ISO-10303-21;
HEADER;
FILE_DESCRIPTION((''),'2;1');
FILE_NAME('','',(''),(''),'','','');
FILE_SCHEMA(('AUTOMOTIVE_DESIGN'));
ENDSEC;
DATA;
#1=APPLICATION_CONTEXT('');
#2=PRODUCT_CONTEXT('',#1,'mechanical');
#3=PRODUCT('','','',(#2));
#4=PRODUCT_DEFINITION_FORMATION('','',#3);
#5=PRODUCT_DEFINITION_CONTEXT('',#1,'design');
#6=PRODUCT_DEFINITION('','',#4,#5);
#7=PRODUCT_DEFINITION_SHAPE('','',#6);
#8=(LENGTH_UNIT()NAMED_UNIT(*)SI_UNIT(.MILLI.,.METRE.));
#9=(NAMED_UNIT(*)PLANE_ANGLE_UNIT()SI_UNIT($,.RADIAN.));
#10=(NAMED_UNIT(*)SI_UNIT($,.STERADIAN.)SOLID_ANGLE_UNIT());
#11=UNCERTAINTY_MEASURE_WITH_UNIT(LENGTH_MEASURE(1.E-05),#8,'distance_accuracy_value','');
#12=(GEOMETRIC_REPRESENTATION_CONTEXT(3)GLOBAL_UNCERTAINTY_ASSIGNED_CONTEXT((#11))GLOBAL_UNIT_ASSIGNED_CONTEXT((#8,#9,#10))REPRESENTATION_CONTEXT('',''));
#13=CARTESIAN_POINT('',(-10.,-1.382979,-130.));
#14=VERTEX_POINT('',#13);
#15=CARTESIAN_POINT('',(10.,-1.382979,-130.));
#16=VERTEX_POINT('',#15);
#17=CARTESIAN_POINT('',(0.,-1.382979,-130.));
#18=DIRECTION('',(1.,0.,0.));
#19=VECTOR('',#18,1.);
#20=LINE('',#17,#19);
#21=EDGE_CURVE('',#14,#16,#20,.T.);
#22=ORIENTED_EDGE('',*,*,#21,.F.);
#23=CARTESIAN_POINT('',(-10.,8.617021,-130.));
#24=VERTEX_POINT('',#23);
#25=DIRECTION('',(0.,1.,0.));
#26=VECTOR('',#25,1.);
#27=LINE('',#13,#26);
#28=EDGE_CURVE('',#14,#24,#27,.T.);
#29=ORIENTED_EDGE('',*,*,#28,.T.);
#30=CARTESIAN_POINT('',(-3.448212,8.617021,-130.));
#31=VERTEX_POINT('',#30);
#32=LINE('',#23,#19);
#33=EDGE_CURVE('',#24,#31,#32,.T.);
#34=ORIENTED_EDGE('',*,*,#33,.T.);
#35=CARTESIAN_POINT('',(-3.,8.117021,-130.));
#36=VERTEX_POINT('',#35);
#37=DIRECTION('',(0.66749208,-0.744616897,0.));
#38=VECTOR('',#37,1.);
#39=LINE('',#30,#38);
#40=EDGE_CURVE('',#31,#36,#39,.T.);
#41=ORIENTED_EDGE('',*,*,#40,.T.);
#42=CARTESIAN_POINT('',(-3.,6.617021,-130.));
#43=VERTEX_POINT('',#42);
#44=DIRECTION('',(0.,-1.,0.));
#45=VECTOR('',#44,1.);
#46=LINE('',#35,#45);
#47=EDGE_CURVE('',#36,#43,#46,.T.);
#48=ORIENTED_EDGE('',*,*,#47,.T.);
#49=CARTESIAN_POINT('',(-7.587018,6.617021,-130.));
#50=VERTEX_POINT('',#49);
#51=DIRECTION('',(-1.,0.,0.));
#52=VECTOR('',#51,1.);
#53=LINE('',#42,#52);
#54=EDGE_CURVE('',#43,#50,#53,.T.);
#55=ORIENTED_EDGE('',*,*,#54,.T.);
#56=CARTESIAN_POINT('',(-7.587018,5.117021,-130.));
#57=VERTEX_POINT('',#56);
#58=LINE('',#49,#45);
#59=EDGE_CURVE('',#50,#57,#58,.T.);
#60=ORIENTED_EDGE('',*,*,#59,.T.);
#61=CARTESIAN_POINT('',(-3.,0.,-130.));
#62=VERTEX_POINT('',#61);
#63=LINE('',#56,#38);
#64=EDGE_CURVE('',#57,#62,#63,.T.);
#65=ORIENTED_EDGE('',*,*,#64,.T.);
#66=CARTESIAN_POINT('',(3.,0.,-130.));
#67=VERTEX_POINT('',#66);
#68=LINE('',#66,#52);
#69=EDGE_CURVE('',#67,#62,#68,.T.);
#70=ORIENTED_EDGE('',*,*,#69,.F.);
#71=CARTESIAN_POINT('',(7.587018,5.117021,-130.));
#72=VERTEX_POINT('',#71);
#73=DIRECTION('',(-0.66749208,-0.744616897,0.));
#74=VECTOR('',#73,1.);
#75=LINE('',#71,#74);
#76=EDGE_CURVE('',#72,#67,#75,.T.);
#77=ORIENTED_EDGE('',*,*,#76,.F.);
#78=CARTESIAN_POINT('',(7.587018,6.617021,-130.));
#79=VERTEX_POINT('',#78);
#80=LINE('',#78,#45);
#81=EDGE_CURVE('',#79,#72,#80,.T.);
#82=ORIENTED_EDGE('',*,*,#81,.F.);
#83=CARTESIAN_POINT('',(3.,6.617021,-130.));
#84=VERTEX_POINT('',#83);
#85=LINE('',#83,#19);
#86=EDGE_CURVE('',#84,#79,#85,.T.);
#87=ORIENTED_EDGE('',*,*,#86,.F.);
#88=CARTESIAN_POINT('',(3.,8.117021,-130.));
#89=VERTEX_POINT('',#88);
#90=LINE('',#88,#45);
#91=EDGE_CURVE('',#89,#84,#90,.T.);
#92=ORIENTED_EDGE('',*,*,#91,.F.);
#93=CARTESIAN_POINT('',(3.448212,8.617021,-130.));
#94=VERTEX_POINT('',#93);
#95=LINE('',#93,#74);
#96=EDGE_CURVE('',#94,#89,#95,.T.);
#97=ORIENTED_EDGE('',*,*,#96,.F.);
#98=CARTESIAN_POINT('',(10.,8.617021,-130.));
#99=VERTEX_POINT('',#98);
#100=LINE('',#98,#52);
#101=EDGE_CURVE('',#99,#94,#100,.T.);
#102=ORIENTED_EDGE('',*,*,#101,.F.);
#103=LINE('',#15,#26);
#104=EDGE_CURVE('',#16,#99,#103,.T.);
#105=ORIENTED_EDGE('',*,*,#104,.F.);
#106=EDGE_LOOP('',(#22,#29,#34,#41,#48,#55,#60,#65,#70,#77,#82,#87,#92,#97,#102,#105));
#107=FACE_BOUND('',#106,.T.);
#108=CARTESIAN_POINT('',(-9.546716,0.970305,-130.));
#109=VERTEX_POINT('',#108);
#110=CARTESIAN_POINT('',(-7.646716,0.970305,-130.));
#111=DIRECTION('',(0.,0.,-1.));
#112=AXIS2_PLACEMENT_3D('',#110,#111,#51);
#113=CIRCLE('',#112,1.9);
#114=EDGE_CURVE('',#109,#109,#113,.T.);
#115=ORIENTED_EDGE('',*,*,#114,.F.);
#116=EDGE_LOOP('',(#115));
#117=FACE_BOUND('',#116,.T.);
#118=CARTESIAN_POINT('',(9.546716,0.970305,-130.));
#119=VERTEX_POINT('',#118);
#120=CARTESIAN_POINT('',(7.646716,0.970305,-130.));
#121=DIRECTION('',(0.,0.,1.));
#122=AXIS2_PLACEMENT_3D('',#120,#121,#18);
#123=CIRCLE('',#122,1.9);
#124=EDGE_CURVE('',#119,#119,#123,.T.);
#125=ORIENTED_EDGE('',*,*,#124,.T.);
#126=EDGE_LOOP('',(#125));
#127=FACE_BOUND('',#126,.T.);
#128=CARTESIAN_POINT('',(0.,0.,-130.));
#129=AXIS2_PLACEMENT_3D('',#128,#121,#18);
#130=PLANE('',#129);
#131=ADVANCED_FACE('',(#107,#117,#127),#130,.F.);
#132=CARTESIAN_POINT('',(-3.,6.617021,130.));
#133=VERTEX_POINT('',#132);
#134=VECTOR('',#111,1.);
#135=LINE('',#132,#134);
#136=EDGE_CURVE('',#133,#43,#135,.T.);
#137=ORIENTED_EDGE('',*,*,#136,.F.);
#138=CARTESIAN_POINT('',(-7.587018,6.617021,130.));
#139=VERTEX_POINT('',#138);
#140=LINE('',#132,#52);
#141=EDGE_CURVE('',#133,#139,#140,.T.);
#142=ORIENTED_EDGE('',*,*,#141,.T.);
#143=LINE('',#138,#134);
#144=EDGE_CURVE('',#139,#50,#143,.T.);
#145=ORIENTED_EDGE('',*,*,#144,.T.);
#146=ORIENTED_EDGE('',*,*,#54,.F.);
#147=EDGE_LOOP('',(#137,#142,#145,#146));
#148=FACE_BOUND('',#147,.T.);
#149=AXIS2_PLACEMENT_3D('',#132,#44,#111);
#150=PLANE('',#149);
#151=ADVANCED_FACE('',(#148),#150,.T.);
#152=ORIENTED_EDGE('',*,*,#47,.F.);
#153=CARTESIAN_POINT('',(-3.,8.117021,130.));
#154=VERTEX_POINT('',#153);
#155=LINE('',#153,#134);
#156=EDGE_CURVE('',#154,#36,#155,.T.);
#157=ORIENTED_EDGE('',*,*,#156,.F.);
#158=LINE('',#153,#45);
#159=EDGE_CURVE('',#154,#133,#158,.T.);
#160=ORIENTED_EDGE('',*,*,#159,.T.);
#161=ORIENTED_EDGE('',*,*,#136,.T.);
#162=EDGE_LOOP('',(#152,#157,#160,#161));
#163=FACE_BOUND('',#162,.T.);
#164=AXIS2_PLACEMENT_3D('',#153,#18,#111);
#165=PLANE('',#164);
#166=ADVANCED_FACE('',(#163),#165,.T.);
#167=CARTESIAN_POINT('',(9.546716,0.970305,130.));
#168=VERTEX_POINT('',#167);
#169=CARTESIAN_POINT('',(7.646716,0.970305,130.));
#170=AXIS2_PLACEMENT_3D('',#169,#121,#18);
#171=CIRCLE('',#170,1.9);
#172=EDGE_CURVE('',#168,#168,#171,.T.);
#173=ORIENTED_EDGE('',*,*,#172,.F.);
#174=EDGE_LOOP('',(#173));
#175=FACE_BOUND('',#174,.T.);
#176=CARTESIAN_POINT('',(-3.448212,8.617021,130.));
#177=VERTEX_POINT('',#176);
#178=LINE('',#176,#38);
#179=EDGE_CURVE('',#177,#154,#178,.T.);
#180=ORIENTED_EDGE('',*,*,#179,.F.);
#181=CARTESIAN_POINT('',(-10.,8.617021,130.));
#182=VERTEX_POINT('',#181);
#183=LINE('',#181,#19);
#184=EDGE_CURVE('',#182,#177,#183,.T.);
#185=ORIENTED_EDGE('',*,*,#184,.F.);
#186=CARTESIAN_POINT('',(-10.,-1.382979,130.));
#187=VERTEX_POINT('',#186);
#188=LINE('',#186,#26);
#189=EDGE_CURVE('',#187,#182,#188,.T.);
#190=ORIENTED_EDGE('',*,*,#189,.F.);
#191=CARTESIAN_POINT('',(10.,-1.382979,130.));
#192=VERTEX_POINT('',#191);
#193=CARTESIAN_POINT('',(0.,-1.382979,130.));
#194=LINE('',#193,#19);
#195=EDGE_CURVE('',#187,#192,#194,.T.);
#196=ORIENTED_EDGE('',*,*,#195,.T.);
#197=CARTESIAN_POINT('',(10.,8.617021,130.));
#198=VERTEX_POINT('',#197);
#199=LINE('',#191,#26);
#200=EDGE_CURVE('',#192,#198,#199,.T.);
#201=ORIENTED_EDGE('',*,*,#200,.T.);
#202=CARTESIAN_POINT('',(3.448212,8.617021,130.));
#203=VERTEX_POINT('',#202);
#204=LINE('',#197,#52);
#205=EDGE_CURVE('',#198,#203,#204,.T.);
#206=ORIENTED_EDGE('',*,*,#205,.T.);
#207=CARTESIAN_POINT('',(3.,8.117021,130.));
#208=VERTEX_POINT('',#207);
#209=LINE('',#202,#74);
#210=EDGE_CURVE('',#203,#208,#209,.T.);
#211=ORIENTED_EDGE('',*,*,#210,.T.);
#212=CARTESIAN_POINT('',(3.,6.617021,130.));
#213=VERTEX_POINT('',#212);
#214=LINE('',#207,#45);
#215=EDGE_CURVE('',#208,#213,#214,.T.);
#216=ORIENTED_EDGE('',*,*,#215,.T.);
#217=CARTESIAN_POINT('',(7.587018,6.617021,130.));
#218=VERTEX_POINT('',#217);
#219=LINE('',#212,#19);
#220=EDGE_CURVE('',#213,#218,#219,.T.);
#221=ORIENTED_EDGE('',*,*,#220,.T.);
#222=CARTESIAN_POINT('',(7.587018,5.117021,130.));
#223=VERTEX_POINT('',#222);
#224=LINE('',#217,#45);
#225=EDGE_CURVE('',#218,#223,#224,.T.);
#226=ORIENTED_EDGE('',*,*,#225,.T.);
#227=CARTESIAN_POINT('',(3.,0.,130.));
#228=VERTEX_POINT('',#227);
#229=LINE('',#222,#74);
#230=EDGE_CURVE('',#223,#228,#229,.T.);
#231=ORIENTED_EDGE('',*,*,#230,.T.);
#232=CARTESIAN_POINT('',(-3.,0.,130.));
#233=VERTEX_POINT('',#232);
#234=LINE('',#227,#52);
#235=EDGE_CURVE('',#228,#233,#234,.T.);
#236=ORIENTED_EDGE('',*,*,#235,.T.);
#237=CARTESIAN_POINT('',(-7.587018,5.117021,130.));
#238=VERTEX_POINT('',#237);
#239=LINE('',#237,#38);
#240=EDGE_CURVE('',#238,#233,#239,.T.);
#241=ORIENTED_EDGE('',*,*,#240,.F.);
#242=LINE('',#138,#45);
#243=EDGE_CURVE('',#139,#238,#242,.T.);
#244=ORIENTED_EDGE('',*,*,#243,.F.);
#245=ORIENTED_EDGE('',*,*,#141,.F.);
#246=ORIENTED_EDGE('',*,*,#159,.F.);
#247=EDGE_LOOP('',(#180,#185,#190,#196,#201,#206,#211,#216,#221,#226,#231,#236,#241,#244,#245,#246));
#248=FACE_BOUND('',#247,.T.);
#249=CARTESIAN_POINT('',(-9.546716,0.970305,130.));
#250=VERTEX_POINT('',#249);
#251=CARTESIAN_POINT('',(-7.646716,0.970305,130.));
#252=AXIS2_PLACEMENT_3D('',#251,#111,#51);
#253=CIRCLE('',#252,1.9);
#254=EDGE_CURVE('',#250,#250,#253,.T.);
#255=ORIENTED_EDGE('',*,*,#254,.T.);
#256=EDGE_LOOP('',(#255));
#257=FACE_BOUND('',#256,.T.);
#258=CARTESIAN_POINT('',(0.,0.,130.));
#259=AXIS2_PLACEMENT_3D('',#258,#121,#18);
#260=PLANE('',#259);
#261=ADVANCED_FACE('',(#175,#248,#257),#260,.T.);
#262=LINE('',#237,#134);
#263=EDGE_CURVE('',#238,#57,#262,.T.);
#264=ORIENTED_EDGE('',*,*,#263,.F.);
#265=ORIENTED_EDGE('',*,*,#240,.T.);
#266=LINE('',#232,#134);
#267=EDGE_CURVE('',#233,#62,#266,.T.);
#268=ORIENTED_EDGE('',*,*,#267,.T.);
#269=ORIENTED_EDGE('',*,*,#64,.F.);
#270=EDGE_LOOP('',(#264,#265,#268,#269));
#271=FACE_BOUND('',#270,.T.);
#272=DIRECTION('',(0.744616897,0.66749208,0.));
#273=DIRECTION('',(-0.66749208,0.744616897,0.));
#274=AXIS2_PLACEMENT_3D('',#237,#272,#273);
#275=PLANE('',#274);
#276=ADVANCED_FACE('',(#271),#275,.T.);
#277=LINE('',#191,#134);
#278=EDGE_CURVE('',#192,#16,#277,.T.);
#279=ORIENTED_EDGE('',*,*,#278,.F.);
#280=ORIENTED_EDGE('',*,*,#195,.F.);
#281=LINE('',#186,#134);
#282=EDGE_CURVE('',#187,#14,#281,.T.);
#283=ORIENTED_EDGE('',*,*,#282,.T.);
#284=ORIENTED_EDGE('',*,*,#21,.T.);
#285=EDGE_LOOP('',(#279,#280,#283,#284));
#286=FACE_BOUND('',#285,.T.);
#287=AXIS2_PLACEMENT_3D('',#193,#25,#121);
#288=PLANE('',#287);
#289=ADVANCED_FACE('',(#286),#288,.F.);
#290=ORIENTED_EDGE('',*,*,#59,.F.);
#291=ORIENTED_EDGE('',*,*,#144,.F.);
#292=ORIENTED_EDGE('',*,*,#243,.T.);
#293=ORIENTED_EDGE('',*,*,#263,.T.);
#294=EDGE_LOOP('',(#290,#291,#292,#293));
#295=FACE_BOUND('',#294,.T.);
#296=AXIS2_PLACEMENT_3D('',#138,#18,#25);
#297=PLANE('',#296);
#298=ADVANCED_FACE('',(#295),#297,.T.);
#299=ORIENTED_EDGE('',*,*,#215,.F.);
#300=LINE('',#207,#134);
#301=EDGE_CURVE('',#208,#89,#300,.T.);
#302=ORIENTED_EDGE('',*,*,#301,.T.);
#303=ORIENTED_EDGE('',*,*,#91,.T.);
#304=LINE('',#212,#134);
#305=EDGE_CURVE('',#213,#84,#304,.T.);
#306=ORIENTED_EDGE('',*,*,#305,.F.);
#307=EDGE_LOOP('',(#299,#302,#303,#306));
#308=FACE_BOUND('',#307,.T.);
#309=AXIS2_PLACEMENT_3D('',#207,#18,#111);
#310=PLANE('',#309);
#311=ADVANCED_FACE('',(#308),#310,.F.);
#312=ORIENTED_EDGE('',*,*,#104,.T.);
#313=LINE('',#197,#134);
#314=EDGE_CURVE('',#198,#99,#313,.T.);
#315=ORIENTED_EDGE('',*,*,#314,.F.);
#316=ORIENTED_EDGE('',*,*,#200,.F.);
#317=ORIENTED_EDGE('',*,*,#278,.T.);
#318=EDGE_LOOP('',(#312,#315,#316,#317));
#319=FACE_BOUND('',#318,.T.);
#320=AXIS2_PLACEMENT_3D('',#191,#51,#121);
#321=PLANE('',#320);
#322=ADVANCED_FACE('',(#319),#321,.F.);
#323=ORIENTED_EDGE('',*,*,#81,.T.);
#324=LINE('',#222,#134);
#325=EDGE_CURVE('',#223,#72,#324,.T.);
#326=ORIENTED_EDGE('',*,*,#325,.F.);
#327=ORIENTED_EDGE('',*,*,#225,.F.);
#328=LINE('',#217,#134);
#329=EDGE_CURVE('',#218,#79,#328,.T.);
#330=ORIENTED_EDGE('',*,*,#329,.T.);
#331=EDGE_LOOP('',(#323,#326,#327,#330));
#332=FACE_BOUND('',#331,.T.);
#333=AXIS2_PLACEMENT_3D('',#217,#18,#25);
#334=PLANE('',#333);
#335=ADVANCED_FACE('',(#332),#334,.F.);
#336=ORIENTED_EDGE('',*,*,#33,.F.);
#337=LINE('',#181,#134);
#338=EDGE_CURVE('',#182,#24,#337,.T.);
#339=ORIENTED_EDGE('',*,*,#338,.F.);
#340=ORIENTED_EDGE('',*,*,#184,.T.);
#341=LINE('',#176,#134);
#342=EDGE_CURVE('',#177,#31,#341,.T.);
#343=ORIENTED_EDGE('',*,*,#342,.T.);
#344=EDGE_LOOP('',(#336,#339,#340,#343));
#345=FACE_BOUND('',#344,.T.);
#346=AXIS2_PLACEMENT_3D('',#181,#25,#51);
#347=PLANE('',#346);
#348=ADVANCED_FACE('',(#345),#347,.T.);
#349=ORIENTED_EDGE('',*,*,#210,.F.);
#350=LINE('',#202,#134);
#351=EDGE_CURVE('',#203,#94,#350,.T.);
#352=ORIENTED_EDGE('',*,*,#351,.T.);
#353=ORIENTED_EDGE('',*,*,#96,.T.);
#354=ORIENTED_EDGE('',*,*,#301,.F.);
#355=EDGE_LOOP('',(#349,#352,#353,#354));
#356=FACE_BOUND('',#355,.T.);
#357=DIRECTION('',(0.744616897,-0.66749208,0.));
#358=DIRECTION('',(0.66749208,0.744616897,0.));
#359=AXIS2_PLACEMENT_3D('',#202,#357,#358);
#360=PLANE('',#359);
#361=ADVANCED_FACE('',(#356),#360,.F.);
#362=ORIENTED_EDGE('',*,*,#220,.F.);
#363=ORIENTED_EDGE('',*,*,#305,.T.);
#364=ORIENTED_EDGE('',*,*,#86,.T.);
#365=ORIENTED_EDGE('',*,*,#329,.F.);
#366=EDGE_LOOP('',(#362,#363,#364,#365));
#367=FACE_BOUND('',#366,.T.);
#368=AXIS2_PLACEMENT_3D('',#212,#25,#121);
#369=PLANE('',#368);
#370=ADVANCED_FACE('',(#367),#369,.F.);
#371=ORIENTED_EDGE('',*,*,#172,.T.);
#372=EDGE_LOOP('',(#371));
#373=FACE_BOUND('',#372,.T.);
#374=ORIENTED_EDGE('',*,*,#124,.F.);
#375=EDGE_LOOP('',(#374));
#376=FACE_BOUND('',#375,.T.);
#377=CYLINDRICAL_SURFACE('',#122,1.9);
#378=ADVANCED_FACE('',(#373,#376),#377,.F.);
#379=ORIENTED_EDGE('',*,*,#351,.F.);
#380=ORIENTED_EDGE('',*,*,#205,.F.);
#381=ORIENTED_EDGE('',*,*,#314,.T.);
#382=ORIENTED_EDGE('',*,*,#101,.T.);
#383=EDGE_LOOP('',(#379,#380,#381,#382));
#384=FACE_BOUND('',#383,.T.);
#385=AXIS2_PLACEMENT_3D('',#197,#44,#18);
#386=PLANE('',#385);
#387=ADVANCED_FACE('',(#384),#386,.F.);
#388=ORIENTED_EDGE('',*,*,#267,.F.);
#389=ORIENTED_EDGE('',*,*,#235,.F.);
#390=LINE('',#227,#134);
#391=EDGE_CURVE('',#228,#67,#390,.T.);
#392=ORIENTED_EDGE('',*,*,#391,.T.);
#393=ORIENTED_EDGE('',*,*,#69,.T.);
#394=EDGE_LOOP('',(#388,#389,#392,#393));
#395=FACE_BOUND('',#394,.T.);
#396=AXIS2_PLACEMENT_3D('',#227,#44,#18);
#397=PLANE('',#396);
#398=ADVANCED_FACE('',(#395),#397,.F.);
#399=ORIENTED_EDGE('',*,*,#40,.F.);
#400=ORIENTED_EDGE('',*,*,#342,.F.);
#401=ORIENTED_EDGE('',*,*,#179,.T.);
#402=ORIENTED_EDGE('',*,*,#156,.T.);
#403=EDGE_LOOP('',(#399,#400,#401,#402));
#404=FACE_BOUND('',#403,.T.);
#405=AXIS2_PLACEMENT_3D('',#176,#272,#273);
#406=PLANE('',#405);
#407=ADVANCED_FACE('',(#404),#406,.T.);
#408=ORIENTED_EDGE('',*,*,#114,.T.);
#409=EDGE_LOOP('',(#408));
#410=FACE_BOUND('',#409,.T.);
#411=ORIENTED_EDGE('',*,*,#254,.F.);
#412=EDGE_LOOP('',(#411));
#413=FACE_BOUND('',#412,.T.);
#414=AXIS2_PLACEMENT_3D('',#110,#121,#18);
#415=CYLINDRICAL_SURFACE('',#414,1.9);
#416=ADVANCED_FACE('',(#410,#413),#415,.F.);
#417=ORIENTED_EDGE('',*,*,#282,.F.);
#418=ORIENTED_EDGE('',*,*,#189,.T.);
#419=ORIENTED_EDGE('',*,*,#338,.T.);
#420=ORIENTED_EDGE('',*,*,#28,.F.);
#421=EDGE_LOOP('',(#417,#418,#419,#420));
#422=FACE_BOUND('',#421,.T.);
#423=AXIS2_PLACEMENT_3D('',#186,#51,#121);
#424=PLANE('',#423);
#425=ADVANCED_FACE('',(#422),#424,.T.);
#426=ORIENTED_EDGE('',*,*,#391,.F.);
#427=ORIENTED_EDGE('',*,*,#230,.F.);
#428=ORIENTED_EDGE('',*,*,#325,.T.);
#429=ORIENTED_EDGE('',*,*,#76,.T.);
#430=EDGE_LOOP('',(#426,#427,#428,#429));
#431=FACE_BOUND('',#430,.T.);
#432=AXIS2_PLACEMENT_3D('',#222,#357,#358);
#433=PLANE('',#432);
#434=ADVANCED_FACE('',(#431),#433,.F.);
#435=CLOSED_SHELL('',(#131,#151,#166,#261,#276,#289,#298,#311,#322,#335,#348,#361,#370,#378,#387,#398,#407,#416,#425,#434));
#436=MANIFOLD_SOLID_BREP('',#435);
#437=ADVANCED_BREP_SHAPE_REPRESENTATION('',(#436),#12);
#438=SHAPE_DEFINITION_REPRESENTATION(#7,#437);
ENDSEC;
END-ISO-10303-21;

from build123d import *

# Parameters (mm, degrees)
BOSS_EXTRUDE1_DEPTH = 130
SKETCH2_R           = 1.9
CUT_EXTRUDE1_DEPTH  = 261.334886359


with BuildPart() as part:
    # Sketch1 → Boss-Extrude1 (new, symmetric)
    with BuildSketch(Plane.XY):
        Polygon((0, 0), (0, -1.382978723), (10, -1.382978723), (10, 8.617021277), (3.448211747, 8.617021277), (3, 8.117021277), (3, 6.617021277), (7.587018089, 6.617021277), (7.587018089, 5.117021277), (3, 0), align=None)
    boss_extrude1 = extrude(amount=BOSS_EXTRUDE1_DEPTH, both=True)

    # Mirror1: Boss-Extrude1 across plane
    add(boss_extrude1.mirror(Plane(origin=(0, 0, 0), x_dir=(0, 0, 1), z_dir=(1, 0, 0))))

    # Sketch2 → Cut-Extrude1 (cut, through all)
    with BuildSketch(Plane.XY.offset(130)):
        with Locations((7.646716257, 0.97030502)):
            Circle(SKETCH2_R)
    cut_extrude1 = extrude(amount=-CUT_EXTRUDE1_DEPTH, mode=Mode.SUBTRACT)

    # Mirror2: Cut-Extrude1 across plane
    add(cut_extrude1.mirror(Plane(origin=(0, 0, 0), x_dir=(0, 0, 1), z_dir=(1, 0, 0))), mode=Mode.SUBTRACT)


solid = part.part
